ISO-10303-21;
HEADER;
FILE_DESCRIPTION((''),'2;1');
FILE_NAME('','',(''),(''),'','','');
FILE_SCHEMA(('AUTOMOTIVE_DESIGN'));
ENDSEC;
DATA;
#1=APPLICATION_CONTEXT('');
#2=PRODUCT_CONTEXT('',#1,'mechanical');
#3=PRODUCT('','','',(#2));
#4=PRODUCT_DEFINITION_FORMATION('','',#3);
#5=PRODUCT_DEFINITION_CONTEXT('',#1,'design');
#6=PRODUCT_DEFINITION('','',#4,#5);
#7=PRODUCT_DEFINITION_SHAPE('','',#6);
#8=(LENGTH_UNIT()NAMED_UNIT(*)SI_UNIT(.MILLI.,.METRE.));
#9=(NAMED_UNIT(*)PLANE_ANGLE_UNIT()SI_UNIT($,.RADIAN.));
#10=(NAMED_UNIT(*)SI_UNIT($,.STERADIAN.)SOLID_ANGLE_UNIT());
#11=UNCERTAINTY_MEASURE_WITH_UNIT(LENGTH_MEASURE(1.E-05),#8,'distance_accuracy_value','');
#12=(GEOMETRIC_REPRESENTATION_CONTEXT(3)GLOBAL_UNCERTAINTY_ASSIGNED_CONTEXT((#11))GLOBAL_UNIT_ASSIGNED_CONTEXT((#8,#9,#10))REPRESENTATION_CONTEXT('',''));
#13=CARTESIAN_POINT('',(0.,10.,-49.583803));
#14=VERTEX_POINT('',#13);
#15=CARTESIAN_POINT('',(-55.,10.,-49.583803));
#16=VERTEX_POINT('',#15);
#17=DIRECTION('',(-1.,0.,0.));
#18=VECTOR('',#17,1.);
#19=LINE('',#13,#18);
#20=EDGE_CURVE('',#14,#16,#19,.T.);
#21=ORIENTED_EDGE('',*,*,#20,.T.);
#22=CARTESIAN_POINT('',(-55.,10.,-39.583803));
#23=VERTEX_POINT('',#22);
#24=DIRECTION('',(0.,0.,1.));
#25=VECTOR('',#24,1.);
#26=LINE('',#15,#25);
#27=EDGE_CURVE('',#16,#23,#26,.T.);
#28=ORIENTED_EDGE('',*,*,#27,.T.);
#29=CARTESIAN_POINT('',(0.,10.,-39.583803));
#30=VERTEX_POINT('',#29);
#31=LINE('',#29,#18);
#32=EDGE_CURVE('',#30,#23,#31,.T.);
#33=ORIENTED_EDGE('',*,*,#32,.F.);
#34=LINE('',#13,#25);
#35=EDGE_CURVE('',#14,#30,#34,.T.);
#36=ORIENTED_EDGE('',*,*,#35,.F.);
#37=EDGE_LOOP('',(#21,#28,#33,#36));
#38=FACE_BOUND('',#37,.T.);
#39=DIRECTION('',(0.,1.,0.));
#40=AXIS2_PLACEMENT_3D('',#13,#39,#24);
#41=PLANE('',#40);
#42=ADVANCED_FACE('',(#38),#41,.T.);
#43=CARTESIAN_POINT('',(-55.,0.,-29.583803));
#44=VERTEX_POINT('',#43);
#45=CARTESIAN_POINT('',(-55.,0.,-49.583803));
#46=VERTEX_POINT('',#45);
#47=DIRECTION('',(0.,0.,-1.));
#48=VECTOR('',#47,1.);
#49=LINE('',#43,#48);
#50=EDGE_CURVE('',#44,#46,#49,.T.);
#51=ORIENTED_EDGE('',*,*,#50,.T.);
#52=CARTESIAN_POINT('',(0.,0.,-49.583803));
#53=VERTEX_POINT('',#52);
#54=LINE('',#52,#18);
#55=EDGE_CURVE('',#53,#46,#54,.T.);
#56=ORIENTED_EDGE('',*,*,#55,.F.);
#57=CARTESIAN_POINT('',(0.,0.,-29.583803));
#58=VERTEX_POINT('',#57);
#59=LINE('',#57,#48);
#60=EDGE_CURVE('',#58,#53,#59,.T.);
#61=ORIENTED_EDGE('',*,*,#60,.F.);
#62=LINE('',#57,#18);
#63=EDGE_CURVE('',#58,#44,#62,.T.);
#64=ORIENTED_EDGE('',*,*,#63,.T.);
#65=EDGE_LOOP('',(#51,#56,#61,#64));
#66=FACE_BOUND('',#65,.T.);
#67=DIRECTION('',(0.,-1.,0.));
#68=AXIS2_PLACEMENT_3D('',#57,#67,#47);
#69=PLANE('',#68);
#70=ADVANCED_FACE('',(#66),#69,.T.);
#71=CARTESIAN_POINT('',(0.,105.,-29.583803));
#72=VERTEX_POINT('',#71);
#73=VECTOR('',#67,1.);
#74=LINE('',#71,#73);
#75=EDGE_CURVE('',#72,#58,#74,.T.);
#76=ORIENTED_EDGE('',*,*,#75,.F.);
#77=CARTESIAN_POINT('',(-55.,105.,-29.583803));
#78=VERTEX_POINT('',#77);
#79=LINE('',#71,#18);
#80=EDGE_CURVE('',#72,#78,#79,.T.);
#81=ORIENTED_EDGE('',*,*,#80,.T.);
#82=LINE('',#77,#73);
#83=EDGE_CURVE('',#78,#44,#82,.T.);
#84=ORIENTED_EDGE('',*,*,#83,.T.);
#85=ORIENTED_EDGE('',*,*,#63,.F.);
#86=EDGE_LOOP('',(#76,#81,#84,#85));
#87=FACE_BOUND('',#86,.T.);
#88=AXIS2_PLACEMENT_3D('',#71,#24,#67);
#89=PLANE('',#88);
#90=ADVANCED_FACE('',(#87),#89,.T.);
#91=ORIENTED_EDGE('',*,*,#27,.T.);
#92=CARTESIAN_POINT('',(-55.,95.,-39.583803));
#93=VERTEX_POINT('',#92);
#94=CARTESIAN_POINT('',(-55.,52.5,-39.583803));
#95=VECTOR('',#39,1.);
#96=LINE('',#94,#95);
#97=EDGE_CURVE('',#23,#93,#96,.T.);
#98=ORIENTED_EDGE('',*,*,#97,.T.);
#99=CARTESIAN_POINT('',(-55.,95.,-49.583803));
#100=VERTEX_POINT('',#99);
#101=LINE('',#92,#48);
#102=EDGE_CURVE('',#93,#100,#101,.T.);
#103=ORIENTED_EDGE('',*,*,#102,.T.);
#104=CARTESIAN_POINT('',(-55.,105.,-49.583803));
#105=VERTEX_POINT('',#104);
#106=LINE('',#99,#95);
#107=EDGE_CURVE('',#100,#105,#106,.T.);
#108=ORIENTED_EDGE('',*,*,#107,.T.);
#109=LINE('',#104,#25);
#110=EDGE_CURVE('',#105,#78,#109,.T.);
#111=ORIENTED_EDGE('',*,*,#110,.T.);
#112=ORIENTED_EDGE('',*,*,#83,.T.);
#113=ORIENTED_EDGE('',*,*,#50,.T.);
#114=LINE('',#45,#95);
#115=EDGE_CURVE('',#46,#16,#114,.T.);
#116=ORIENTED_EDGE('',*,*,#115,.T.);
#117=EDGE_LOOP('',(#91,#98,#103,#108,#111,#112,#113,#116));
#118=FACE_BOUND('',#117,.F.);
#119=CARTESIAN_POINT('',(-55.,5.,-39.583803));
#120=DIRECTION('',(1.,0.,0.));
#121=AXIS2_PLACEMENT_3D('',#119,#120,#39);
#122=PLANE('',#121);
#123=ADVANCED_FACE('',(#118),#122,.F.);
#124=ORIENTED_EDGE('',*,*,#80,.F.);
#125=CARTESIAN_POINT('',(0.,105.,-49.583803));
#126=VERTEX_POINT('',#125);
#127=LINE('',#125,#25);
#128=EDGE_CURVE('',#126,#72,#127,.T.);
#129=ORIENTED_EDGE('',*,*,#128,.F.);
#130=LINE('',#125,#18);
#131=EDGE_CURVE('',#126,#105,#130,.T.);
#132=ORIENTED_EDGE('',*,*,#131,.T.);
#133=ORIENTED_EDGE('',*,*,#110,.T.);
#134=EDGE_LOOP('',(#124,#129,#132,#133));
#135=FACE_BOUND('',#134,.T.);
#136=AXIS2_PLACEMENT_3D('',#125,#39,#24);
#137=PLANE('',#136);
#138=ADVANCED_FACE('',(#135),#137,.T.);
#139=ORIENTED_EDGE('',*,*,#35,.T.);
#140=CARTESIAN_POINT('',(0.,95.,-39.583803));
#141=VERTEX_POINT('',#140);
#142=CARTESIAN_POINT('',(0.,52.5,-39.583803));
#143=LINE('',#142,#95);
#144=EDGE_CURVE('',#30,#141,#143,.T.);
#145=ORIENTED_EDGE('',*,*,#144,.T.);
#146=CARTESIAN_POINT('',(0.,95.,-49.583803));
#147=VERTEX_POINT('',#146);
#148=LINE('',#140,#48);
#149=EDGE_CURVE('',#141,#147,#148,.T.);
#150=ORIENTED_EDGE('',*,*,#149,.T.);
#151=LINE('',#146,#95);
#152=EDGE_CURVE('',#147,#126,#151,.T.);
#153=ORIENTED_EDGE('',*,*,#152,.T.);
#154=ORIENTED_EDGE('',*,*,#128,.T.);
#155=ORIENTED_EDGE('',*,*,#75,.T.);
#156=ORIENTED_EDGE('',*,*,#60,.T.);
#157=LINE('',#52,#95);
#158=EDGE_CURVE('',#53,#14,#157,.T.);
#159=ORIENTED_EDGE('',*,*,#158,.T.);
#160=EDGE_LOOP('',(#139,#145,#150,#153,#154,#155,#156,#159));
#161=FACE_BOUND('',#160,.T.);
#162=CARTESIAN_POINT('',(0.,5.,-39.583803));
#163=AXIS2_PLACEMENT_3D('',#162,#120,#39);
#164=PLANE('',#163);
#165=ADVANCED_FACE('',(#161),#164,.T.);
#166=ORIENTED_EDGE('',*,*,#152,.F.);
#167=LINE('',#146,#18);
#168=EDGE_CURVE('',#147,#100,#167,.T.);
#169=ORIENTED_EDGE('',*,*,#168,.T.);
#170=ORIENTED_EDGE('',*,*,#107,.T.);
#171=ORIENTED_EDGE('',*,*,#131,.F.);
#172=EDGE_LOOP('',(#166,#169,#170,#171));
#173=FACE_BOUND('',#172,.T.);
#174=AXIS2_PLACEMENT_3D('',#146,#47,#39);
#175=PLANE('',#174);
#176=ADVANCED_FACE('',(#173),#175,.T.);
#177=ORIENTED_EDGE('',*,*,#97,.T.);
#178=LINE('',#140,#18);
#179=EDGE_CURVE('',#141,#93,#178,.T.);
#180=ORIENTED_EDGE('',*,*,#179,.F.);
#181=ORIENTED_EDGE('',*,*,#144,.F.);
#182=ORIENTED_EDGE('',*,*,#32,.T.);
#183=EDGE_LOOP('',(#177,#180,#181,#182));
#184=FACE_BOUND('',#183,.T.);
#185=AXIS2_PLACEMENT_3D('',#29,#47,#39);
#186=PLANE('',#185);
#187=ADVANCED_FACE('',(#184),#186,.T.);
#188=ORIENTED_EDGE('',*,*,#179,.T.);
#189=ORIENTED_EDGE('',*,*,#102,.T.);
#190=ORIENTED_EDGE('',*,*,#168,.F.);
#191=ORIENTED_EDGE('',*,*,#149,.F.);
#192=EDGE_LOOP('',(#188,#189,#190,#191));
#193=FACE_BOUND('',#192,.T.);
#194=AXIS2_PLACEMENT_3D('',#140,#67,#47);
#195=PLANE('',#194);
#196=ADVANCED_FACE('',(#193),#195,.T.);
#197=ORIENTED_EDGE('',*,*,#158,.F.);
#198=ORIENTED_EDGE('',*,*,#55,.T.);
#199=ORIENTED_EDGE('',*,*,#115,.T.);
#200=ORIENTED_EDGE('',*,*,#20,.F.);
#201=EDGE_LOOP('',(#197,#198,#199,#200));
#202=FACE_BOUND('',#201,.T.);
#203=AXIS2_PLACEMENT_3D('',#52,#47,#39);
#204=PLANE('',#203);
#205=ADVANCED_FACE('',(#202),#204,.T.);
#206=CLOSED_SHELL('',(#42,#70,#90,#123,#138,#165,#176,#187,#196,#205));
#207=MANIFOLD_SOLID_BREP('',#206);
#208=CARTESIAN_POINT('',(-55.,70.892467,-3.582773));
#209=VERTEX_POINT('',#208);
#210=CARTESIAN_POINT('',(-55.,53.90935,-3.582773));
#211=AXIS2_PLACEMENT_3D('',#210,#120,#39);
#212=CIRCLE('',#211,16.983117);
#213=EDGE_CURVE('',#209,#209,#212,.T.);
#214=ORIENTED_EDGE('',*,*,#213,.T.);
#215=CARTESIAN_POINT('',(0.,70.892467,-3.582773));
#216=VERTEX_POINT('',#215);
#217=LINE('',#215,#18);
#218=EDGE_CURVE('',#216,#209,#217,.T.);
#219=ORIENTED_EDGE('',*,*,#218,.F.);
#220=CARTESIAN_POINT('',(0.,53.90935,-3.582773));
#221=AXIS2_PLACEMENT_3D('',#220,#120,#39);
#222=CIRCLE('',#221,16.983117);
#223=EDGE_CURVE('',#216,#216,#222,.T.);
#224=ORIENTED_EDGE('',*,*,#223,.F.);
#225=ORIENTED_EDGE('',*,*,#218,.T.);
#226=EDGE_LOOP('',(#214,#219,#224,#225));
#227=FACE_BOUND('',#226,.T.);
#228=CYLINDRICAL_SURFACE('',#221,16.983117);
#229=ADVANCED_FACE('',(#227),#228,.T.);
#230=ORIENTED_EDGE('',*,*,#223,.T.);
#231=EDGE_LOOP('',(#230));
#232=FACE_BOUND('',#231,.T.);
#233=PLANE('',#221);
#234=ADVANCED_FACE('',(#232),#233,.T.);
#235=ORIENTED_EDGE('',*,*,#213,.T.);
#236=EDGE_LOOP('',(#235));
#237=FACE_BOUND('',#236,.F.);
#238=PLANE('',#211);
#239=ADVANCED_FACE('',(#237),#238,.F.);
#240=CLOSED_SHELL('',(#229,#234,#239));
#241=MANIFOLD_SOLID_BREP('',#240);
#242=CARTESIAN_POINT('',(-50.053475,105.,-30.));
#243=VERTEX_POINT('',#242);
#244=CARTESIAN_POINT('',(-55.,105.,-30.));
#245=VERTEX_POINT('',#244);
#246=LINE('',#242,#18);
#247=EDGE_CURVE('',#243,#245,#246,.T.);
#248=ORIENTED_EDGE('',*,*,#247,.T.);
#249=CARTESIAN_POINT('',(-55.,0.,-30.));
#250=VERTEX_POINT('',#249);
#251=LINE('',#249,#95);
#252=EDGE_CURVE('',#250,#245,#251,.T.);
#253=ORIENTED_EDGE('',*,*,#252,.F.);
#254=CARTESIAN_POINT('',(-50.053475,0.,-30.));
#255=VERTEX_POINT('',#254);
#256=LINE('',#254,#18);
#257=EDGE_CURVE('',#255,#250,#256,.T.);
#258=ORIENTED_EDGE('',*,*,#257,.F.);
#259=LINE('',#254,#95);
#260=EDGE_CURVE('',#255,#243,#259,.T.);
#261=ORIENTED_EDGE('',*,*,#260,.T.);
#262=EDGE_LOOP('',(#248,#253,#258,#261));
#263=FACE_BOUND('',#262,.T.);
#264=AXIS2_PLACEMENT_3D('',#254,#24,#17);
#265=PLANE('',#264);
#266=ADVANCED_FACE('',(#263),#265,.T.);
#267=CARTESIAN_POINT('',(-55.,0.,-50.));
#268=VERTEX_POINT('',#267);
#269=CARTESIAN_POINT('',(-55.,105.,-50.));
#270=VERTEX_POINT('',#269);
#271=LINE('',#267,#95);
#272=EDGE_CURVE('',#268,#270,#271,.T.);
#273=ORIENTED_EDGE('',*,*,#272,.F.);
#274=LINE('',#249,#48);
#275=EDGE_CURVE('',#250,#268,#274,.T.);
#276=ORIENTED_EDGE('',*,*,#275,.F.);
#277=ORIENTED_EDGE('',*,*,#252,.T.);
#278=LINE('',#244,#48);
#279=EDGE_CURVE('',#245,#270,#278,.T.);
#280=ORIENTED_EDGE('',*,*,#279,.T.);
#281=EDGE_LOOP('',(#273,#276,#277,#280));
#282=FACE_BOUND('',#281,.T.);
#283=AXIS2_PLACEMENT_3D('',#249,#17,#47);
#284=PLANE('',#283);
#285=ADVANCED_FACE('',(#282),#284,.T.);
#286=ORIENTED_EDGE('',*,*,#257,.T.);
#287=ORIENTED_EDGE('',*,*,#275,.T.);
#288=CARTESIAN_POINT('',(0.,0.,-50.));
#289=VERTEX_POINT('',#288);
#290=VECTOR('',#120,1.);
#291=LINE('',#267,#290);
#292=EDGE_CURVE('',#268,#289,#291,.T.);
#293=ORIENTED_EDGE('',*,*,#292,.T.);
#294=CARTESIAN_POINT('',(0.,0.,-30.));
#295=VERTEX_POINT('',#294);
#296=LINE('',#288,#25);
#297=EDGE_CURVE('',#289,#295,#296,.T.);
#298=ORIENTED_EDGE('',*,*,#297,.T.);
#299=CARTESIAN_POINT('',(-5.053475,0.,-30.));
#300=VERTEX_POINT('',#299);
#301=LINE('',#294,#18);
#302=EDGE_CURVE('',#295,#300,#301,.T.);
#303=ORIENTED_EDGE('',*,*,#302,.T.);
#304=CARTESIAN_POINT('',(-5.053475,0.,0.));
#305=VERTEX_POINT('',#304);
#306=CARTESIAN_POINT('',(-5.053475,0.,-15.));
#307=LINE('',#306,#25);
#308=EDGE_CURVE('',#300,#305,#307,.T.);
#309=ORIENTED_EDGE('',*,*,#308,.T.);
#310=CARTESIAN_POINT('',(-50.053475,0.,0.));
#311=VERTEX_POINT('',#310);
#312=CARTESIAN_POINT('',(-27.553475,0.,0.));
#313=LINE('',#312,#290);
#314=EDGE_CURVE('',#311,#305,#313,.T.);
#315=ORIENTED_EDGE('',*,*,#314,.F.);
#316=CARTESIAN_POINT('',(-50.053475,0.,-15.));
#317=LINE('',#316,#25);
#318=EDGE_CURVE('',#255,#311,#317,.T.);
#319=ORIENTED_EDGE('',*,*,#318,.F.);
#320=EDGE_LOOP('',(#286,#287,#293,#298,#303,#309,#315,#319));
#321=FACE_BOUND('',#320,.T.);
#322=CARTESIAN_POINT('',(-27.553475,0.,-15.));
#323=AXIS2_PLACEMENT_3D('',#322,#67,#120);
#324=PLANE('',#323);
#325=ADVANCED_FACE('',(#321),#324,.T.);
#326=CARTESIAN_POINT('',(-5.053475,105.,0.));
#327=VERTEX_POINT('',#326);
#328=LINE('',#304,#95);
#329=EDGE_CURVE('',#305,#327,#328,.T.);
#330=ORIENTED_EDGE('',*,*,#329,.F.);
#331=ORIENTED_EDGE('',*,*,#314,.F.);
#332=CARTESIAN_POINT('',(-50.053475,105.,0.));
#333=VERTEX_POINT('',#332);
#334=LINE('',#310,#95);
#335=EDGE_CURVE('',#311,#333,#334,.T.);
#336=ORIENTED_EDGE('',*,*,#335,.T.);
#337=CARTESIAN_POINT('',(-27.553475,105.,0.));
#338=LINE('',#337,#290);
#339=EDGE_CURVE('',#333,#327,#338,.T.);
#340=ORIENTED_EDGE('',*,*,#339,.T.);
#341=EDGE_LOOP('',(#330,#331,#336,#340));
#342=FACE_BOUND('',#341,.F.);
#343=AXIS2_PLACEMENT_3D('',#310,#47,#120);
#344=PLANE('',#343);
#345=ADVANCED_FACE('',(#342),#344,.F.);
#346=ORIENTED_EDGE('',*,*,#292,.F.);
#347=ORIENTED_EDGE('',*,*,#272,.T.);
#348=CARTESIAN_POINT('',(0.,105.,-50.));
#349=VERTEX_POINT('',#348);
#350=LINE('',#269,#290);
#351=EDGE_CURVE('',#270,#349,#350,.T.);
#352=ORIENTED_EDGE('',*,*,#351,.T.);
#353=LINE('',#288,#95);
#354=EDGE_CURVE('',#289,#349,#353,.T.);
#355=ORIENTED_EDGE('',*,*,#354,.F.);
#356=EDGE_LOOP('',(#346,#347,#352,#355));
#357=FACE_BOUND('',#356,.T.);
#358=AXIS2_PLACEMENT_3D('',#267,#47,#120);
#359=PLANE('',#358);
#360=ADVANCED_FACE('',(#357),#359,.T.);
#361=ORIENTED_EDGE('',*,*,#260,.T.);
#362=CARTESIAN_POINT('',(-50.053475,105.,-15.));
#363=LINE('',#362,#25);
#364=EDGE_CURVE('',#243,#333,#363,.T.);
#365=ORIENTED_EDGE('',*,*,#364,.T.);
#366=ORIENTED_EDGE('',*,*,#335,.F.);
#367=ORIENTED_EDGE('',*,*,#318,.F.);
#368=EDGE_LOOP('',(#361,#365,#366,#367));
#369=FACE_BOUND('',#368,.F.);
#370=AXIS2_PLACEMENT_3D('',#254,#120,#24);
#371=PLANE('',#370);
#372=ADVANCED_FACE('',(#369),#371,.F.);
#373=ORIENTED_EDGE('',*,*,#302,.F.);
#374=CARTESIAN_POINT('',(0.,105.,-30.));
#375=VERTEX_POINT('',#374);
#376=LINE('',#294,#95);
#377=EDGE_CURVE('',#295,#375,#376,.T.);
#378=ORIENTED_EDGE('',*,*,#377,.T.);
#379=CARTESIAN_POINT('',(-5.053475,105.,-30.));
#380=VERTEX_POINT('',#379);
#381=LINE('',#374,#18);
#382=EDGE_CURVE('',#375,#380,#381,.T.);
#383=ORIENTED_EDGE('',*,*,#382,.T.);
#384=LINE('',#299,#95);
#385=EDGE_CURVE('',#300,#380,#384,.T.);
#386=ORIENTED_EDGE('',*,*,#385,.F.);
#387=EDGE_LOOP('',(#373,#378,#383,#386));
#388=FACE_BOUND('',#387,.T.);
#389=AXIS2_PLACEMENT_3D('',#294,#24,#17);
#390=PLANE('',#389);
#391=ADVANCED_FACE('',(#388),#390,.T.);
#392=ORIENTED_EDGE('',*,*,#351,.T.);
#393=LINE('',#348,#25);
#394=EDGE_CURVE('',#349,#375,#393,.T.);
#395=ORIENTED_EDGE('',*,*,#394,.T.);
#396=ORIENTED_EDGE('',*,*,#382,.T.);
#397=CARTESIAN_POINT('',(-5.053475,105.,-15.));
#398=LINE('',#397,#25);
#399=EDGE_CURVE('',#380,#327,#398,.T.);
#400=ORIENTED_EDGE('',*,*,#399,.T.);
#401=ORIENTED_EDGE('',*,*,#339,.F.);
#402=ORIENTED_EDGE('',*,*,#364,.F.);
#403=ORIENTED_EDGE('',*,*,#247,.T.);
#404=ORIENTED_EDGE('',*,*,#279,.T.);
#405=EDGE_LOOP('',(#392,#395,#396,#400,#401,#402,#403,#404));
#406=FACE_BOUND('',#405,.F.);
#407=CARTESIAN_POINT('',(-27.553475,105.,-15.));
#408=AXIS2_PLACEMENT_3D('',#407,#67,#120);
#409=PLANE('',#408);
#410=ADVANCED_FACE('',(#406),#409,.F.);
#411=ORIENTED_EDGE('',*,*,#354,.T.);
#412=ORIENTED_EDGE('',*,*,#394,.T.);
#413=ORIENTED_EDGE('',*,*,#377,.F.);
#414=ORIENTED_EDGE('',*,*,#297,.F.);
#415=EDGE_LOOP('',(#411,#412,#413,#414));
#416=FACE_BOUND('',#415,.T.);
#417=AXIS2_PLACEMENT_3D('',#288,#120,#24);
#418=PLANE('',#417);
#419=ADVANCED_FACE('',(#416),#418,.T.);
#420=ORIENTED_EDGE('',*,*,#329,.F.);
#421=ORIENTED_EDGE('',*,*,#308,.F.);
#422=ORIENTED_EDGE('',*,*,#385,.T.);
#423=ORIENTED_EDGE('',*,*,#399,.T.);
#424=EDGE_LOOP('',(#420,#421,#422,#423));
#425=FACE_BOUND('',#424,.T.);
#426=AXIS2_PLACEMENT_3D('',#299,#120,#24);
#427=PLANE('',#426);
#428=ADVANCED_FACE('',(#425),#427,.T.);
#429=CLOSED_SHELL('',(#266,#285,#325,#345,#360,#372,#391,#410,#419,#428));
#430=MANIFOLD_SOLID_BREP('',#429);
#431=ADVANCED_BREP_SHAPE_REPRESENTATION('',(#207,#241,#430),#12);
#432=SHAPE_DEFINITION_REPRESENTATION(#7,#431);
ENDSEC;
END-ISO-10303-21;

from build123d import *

# Parameters (mm, degrees)
F0_W     = 45
F0_H     = 30
F1_DEPTH = 105
F2_W     = 85
F2_H     = 10
F2_R     = 16.983117
F3_DEPTH = 55


with BuildPart() as f1:
    # F0 (on Front) → F1 (new body)
    with BuildSketch(Plane.XZ):
        with Locations((-27.553475, -15)):
            Rectangle(F0_W, F0_H)
        Polygon((-55, -30), (-55, -50), (0, -50), (0, -30), (-5.053475, -30), (-50.053475, -30), align=None)
    extrude(amount=-F1_DEPTH)


with BuildPart() as f3:
    # F2 (on Right) → F3 (new body)
    with BuildSketch(Plane.YZ):
        Polygon((10, -29.583803), (0, -29.583803), (0, -49.583803), (10, -49.583803), (10, -39.583803), align=None)
        with Locations((52.5, -34.583803)):
            Rectangle(F2_W, F2_H)
        Polygon((105, -29.583803), (95, -29.583803), (95, -39.583803), (95, -49.583803), (105, -49.583803), align=None)
        with Locations((53.90935, -3.582773)):
            Circle(F2_R)
    extrude(amount=-F3_DEPTH)


solid = Compound([f1.part, f3.part])
